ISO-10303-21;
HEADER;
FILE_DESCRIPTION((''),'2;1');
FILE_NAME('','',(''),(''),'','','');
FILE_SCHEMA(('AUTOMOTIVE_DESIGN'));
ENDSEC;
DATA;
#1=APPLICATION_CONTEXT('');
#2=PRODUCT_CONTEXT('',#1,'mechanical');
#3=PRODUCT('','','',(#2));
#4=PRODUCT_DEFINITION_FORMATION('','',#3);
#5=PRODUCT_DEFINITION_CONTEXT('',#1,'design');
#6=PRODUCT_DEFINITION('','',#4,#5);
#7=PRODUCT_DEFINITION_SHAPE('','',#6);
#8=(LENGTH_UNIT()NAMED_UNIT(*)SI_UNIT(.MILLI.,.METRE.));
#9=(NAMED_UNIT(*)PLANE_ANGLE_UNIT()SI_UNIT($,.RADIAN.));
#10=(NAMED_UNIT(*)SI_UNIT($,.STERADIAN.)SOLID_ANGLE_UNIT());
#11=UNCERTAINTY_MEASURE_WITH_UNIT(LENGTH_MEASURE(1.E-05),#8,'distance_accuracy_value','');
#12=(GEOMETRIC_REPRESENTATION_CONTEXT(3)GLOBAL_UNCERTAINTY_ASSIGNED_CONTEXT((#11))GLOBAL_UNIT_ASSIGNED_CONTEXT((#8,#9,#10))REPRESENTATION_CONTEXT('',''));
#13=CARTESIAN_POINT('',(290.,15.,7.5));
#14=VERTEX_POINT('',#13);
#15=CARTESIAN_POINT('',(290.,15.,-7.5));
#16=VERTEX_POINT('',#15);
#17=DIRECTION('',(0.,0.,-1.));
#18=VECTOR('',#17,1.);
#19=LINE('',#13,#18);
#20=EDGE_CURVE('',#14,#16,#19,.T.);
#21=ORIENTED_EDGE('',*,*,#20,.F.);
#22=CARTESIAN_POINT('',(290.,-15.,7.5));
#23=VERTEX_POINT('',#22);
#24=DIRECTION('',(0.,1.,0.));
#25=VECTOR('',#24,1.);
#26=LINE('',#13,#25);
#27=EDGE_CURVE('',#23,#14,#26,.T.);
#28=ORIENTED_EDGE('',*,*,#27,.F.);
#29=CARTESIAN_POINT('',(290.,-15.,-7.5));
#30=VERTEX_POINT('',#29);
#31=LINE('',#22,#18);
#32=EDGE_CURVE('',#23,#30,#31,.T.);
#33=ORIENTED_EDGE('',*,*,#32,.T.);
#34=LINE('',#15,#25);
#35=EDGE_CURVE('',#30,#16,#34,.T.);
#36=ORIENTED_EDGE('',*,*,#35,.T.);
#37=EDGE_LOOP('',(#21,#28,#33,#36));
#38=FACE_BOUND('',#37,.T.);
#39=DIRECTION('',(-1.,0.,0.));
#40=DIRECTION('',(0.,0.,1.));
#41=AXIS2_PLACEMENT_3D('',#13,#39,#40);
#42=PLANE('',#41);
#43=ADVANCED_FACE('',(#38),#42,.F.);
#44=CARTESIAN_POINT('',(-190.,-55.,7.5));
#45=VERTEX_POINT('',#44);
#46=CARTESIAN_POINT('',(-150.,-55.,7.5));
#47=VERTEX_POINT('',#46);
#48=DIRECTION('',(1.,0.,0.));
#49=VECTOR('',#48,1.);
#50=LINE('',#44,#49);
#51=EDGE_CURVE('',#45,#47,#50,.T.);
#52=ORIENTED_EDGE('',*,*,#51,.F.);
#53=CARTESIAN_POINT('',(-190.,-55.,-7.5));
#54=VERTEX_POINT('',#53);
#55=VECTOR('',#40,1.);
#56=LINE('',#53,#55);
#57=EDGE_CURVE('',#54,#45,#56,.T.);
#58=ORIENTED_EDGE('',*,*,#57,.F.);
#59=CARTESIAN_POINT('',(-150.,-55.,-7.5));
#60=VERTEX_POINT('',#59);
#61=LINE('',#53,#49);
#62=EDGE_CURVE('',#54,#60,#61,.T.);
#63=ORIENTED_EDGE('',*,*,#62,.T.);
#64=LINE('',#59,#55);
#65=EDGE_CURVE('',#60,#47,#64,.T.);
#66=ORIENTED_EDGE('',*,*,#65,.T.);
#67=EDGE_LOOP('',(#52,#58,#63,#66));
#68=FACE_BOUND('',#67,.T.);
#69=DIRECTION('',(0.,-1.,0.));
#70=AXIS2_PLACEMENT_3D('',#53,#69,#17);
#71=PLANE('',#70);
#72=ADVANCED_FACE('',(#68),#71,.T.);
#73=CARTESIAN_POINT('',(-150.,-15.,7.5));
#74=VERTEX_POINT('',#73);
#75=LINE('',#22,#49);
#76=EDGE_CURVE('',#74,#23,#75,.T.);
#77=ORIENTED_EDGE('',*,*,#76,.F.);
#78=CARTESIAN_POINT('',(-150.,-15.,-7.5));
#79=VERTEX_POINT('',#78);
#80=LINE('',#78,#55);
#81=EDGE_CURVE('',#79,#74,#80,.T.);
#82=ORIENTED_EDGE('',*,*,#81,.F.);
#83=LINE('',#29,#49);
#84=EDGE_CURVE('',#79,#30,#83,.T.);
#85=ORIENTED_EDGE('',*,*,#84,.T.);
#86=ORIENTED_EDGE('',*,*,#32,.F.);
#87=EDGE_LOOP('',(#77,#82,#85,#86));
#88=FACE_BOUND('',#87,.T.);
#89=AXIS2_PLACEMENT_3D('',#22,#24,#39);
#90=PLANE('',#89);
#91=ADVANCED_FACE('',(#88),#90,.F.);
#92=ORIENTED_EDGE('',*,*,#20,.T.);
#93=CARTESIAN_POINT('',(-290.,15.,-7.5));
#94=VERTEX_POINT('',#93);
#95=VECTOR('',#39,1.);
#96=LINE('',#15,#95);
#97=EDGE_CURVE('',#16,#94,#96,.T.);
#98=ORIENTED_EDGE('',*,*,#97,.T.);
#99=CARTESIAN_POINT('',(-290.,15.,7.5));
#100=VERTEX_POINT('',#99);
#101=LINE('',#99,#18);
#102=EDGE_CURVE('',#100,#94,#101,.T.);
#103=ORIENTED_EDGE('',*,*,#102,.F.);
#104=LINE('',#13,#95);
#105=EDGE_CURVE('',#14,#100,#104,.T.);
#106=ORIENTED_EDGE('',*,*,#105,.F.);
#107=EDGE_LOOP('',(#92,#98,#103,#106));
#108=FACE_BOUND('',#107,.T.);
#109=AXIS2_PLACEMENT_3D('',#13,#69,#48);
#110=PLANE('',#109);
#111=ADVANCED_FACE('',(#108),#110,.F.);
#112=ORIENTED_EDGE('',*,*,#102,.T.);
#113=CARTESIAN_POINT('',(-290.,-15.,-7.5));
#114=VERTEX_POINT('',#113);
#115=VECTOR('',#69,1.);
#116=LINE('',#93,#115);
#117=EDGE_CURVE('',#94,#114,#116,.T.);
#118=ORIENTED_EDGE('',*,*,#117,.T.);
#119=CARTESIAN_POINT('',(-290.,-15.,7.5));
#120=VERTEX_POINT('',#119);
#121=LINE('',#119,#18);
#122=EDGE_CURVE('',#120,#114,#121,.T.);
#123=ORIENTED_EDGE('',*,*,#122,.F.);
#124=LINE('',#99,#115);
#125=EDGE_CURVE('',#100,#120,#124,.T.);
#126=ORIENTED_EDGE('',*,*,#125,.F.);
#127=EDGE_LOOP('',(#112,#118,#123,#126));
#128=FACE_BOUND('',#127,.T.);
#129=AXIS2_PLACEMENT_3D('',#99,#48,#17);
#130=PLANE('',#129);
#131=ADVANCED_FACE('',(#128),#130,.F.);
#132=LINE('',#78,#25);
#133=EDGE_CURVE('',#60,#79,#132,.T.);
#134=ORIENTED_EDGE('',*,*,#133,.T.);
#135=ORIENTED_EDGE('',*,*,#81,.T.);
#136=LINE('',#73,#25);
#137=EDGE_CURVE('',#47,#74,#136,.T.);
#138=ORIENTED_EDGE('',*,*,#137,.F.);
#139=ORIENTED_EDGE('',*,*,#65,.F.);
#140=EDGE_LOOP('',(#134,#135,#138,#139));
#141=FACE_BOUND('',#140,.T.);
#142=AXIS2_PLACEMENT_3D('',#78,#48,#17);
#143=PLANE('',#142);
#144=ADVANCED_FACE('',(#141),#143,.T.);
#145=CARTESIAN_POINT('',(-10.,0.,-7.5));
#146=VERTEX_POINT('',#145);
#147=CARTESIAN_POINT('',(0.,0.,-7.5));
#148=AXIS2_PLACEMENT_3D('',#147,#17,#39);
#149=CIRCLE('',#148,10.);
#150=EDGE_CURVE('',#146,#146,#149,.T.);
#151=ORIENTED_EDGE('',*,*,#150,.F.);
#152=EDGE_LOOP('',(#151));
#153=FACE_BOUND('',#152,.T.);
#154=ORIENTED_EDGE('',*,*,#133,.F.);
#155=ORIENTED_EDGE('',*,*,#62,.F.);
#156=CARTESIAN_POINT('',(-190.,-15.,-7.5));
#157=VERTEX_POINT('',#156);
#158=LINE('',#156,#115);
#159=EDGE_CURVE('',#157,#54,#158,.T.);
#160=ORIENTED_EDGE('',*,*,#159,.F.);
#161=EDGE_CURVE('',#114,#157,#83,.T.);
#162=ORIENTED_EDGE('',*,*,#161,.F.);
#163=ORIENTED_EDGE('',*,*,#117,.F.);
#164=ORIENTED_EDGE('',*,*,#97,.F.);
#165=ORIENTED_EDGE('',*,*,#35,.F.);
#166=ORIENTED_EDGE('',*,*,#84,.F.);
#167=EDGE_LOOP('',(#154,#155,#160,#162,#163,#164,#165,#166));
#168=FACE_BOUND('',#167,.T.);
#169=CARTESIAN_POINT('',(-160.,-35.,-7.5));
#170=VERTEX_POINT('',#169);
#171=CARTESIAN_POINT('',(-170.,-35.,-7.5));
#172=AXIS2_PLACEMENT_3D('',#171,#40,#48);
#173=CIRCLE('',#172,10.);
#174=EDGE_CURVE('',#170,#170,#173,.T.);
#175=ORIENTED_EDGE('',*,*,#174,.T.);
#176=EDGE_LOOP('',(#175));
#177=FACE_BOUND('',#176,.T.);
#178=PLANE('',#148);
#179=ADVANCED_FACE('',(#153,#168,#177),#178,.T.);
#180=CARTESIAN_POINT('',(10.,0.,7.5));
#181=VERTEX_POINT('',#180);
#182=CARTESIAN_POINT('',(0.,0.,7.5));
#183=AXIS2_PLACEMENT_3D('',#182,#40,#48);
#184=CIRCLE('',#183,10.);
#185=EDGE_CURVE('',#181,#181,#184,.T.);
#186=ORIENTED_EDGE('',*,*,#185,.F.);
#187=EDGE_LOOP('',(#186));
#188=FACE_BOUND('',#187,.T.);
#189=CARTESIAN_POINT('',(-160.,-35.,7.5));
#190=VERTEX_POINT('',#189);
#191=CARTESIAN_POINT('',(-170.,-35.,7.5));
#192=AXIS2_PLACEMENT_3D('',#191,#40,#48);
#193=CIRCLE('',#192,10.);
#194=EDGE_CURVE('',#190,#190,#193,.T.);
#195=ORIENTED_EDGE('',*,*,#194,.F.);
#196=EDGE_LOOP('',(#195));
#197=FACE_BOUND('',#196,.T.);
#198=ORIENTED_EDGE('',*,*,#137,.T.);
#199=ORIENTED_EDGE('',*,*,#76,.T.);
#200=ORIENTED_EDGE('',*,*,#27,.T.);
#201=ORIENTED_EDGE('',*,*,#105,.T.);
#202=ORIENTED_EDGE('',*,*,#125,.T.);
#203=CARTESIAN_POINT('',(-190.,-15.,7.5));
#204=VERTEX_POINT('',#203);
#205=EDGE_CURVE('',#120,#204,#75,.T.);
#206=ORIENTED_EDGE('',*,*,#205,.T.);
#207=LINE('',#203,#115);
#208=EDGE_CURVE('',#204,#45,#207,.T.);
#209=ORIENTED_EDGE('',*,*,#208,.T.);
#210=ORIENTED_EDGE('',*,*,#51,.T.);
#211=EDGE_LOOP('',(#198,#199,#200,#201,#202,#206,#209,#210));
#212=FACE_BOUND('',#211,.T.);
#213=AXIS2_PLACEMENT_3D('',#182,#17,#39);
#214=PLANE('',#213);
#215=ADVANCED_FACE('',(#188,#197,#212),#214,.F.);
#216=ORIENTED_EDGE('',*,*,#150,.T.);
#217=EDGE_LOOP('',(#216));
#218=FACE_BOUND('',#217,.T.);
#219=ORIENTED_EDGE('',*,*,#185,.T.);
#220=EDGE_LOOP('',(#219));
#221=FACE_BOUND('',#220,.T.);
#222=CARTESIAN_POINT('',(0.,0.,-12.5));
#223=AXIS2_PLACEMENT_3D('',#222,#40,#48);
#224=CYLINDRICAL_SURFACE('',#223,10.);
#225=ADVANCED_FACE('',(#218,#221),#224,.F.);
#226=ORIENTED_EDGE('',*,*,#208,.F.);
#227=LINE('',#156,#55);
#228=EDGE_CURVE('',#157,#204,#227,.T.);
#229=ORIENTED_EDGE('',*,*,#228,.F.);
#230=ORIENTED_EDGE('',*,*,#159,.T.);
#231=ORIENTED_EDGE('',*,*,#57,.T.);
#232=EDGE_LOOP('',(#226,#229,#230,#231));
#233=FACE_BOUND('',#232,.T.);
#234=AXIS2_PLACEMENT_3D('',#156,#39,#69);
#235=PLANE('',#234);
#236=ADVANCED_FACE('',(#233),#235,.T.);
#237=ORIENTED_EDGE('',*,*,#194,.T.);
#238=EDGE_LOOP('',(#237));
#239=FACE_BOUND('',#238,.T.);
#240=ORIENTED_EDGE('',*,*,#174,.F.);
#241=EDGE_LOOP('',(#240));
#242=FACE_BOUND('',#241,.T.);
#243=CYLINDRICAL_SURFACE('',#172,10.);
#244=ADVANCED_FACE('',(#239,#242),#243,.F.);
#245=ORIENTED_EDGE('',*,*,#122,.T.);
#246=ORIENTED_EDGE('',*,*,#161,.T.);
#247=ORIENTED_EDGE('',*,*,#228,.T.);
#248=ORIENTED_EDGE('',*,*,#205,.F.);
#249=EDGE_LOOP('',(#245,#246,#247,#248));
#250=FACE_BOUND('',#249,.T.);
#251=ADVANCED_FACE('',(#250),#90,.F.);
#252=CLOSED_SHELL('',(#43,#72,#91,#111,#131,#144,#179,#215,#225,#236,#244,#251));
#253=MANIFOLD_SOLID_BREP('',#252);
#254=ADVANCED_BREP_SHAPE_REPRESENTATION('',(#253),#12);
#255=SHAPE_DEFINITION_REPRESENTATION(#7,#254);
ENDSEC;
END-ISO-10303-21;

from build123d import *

# Parameters (mm, degrees)
SKETCH1_W           = 580
SKETCH1_H           = 30
BOSS_EXTRUDE1_DEPTH = 7.5
SKETCH2_R           = 10
CUT_EXTRUDE1_DEPTH  = 20
SKETCH3_W           = 40
SKETCH3_H           = 40
SKETCH3_R           = 10
BOSS_EXTRUDE2_DEPTH = 15


with BuildPart() as part:
    # Sketch1 → Boss-Extrude1 (new body, symmetric)
    with BuildSketch(Plane.XY):
        Rectangle(SKETCH1_W, SKETCH1_H)
    extrude(amount=BOSS_EXTRUDE1_DEPTH, both=True)

    # Sketch2 → Cut-Extrude1 (cut)
    with BuildSketch(Plane.XY.offset(7.5)):
        Circle(SKETCH2_R)
    extrude(amount=-CUT_EXTRUDE1_DEPTH, mode=Mode.SUBTRACT)

    # Sketch3 → Boss-Extrude2 (add)
    with BuildSketch(Plane.XY.offset(7.5)):
        with Locations((-170, -35)):
            Rectangle(SKETCH3_W, SKETCH3_H)
        with Locations((-170, -35)):
            Circle(SKETCH3_R, mode=Mode.SUBTRACT)
    extrude(amount=-BOSS_EXTRUDE2_DEPTH)


solid = part.part
